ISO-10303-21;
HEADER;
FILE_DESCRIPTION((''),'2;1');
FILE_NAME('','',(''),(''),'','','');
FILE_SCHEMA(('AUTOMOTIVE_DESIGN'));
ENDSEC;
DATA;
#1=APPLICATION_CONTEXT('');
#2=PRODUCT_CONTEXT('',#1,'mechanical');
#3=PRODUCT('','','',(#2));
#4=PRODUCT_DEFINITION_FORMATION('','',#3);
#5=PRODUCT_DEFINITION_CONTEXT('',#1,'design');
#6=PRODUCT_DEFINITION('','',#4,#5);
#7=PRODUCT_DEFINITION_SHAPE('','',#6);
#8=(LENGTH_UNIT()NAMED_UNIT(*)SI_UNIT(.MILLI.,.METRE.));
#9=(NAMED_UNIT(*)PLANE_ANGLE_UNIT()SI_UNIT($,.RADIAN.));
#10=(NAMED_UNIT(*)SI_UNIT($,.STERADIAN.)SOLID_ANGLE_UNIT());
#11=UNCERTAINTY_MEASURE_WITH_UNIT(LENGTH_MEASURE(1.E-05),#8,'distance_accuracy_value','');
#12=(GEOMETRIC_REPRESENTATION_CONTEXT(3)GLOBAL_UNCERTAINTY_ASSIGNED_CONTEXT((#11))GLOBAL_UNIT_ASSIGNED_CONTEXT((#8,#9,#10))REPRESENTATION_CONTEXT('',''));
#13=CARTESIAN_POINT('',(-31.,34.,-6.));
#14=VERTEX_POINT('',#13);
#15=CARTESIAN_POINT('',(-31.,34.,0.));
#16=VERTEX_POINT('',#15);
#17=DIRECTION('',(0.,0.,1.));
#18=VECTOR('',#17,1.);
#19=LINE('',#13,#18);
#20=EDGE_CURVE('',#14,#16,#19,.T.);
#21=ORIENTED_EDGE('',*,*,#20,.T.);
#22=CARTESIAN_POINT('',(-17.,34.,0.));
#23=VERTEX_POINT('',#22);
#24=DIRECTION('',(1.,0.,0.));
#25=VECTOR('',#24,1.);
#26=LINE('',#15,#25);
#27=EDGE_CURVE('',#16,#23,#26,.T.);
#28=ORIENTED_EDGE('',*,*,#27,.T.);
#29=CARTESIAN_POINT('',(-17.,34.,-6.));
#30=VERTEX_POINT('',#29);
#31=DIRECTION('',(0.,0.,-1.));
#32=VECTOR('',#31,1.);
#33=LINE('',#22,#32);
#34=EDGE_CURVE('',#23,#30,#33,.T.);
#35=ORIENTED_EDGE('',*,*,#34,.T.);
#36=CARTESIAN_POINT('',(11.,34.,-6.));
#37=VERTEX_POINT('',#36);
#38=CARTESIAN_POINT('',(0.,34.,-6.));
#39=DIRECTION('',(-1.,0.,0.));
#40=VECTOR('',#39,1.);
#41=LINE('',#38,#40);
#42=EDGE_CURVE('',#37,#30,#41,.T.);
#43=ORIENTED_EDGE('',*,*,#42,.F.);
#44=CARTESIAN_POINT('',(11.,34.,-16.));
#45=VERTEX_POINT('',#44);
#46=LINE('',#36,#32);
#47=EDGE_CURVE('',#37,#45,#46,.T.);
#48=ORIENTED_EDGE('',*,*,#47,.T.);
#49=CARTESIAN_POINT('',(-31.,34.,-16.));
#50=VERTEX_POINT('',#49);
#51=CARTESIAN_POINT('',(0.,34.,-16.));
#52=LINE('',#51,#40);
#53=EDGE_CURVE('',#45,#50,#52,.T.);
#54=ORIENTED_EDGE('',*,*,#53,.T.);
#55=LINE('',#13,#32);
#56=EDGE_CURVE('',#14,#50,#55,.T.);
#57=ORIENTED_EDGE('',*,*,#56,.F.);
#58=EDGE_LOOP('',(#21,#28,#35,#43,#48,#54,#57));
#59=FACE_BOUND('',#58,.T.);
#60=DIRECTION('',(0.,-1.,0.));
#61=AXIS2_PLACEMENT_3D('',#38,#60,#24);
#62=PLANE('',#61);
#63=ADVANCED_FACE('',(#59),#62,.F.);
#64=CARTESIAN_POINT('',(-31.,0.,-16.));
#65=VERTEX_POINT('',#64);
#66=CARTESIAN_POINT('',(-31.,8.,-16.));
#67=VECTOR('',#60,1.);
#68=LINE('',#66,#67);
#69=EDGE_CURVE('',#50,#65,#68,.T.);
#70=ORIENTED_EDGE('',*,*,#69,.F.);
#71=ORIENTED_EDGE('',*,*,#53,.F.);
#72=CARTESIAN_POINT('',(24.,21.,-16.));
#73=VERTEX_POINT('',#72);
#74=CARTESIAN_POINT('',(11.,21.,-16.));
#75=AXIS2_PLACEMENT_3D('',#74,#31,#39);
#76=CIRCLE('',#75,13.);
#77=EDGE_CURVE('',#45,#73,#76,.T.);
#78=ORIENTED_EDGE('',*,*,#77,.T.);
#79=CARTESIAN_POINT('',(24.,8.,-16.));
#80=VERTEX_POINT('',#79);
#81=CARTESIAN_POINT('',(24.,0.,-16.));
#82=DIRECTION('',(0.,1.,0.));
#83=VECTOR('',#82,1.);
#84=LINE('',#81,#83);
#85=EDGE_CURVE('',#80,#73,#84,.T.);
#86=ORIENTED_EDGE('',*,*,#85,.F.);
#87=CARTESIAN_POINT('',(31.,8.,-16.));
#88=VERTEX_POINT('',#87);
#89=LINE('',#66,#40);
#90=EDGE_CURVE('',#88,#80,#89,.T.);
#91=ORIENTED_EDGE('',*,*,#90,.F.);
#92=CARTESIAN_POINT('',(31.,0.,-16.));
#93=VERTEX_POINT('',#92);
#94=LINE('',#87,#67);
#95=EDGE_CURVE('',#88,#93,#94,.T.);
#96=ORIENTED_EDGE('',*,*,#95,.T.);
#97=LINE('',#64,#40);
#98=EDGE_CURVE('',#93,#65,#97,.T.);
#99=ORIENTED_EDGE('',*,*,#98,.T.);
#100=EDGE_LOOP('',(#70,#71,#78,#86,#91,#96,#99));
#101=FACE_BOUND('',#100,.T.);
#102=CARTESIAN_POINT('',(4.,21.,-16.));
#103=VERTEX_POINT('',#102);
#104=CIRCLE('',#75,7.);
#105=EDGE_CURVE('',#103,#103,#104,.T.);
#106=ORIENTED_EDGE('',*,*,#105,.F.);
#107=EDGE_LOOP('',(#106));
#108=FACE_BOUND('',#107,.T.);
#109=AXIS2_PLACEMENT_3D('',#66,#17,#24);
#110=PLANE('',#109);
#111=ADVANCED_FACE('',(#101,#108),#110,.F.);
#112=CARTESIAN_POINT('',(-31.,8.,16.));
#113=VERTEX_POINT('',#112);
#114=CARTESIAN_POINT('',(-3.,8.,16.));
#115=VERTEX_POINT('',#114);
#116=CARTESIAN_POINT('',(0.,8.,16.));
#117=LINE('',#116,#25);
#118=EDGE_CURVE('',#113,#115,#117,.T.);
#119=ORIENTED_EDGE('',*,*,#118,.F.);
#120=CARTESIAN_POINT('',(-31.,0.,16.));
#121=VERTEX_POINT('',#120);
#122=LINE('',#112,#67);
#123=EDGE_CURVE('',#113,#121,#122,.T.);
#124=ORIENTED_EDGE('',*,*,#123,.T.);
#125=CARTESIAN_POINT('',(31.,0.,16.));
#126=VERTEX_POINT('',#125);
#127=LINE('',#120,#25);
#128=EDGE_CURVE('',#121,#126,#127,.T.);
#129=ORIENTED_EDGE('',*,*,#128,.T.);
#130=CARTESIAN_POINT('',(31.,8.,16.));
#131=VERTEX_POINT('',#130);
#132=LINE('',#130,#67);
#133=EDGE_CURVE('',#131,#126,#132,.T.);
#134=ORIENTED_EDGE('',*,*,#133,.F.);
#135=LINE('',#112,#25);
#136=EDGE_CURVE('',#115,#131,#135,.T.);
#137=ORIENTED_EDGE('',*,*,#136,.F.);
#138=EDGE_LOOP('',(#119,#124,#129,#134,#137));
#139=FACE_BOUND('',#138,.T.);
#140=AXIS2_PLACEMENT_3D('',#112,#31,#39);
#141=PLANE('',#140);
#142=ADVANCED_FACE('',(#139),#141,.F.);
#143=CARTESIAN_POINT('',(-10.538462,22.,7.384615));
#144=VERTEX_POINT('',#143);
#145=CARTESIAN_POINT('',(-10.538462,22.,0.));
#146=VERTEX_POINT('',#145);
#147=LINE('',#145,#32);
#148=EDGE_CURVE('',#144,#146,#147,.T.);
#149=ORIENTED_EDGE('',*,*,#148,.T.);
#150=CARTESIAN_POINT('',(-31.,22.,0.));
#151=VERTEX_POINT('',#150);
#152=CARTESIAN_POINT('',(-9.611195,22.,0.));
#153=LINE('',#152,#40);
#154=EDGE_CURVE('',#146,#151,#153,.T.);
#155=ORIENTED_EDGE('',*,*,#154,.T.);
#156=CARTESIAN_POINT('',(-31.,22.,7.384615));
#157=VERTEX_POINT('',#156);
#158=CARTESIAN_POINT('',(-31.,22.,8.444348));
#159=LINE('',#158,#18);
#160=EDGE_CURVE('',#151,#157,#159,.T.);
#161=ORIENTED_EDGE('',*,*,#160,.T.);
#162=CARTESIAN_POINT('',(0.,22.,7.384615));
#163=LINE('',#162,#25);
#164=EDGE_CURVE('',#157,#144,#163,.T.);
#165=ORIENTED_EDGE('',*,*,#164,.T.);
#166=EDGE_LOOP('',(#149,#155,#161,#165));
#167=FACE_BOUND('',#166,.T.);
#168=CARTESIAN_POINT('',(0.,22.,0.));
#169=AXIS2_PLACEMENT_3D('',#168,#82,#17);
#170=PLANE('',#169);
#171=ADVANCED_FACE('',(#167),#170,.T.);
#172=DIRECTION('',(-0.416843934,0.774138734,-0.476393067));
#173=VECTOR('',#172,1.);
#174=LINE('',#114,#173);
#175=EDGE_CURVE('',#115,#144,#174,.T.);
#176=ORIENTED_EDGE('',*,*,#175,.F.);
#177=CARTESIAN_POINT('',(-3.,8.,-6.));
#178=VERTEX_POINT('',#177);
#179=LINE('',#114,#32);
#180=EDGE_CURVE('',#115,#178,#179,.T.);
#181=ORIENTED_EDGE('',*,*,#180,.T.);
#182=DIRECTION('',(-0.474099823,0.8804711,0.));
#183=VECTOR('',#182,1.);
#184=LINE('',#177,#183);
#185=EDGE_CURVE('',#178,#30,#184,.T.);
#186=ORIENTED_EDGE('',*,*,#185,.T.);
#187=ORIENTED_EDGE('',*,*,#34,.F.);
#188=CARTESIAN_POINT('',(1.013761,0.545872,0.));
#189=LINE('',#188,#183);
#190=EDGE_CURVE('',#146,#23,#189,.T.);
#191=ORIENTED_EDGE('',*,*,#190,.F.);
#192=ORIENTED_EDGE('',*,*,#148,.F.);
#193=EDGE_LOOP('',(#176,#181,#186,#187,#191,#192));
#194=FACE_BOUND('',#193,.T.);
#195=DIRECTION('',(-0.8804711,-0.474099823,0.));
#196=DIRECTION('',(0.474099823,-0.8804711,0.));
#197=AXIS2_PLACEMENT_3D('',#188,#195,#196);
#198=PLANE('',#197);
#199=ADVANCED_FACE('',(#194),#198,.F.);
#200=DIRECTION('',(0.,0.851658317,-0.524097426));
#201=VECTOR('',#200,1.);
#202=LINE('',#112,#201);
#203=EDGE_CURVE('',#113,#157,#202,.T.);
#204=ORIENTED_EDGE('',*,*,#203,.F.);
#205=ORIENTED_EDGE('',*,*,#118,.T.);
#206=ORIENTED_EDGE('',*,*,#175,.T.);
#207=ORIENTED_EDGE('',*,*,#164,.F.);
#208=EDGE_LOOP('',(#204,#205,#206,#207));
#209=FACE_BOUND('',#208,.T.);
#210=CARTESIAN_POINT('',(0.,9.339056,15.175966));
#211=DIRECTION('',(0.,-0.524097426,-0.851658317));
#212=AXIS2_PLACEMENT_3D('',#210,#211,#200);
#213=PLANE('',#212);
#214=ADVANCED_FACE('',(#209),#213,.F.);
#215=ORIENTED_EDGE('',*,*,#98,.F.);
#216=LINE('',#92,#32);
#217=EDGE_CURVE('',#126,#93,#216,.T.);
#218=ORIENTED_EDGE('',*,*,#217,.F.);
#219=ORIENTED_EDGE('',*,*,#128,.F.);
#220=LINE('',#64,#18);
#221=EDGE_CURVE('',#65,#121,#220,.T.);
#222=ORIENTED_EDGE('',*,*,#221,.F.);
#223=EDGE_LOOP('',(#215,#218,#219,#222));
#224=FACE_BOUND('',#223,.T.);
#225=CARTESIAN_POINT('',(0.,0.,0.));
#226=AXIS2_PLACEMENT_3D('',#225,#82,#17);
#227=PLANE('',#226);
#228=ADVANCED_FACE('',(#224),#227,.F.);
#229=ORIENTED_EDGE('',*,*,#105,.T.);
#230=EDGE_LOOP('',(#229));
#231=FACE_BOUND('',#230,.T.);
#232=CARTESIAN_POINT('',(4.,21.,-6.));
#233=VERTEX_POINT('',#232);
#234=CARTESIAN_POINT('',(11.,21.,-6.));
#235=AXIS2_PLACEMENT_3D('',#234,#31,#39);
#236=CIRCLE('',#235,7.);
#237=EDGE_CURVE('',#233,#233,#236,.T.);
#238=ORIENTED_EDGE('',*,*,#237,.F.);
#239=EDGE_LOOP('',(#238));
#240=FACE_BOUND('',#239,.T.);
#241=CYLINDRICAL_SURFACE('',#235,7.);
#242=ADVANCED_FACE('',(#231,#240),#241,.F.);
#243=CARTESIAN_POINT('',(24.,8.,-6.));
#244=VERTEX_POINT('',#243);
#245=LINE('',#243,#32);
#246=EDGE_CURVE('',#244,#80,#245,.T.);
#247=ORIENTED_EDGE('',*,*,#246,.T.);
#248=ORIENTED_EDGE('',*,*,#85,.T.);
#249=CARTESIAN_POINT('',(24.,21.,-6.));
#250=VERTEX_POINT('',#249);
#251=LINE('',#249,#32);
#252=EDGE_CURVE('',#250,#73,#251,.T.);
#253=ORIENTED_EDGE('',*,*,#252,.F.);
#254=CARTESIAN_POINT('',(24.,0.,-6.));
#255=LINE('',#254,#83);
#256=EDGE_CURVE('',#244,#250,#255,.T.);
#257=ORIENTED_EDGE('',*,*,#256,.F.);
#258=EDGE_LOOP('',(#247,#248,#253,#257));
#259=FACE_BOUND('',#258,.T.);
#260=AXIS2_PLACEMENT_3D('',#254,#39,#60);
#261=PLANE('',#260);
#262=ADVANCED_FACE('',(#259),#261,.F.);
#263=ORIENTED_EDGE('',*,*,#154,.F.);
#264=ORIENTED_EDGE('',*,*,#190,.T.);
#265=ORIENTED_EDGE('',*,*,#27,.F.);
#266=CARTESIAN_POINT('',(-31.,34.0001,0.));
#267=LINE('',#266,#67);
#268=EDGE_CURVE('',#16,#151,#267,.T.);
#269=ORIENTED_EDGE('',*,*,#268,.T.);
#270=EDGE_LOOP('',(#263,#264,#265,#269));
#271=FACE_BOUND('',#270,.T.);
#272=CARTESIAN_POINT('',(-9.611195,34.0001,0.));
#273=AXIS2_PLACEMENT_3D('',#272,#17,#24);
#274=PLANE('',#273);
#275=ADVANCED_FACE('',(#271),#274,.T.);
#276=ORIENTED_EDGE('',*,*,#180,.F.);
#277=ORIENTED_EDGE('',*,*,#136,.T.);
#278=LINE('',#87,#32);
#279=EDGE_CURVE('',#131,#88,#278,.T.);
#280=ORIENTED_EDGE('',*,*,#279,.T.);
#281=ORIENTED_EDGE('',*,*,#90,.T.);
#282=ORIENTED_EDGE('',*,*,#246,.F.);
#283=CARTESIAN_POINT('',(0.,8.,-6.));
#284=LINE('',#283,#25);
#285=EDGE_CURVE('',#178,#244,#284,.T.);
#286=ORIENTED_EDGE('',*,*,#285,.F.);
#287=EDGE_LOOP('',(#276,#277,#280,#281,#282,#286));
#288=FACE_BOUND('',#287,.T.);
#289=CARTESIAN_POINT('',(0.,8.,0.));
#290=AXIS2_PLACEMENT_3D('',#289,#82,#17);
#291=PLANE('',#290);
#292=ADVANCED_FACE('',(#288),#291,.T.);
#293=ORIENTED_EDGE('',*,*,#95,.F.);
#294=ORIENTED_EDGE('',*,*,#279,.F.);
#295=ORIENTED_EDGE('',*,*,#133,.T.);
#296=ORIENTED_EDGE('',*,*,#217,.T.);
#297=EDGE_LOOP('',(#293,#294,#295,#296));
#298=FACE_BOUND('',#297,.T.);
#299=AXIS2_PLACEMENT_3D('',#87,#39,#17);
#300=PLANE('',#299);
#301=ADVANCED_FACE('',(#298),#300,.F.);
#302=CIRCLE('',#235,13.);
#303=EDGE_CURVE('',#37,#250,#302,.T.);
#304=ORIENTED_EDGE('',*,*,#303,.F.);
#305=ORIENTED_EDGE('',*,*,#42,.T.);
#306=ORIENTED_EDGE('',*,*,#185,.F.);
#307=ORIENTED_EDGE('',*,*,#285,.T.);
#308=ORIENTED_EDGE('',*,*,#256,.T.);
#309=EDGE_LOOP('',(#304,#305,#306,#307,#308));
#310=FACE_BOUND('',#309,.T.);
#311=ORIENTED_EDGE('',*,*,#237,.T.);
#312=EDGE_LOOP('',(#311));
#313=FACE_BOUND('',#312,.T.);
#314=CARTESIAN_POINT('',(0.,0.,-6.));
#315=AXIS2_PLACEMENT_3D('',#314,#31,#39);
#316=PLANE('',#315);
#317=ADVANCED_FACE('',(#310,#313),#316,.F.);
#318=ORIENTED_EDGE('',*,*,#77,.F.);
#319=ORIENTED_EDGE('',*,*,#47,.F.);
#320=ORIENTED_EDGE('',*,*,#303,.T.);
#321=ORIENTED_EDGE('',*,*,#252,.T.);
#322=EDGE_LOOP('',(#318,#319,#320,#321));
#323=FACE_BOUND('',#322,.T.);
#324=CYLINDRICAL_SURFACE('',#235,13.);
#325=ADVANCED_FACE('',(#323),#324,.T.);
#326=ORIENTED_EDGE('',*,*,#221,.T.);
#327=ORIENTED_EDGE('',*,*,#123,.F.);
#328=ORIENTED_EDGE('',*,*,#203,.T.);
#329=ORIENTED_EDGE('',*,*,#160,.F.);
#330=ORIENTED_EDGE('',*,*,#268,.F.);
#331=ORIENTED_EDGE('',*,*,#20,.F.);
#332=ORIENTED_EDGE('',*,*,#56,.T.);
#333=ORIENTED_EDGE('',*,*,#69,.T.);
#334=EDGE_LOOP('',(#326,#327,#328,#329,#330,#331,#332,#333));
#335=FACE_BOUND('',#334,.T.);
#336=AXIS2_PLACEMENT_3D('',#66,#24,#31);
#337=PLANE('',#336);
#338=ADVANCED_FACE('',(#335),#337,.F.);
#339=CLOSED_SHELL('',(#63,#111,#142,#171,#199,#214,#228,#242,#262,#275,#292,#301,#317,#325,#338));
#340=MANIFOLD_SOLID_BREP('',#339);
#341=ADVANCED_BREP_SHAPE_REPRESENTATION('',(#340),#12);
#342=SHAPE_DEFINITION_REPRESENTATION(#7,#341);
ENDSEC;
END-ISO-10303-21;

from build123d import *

# Parameters (mm, degrees)
SKETCH_1_W          = 62
SKETCH_1_H          = 32
EXTRUDE_1_DEPTH     = 8
SKETCH_2_R          = 7
EXTRUDE_2_DEPTH     = 10
SKETCH_6_W          = 21.388804526
SKETCH_6_H          = 8.444348029
CUT_EXTRUDE_1_DEPTH = 42.243181422


with BuildPart() as part:
    # 草图1 → 凸台-拉伸1 (new body)
    with BuildSketch(Plane(origin=(0, 0, 0), x_dir=(1, 0, 0), z_dir=(0, 1, 0))):
        Rectangle(SKETCH_1_W, SKETCH_1_H)
    extrude(amount=EXTRUDE_1_DEPTH)

    # 草图2 → 凸台-拉伸2 (add)
    with BuildSketch(Plane(origin=(0, 0, -16), x_dir=(-1, 0, 0), z_dir=(0, 0, -1))):
        with BuildLine():
            Line((-24, 21), (-24, 8))
            Line((-24, 8), (31, 8))
            Line((31, 8), (31, 34))
            Line((31, 34), (-11, 34))
            ThreePointArc((-11, 34), (-20.192388155, 30.192388155), (-24, 21))
        make_face()
        with Locations((-11, 21)):
            Circle(SKETCH_2_R, mode=Mode.SUBTRACT)
    extrude(amount=-EXTRUDE_2_DEPTH)

    # 草图5 → 放样1 section 0
    with BuildSketch(Plane(origin=(0, 8, 0), x_dir=(1, 0, 0), z_dir=(0, 1, 0))):
        with BuildLine():
            Line((-3, -16), (-3, 6))
            Line((-3, 6), (-31, 6))
            Line((-31, 6), (-31, -16))
            Line((-31, -16), (-3, -16))
        make_face()
    # 草图4 → 放样1 section 1
    with BuildSketch(Plane(origin=(0, 34, 0), x_dir=(1, 0, 0), z_dir=(0, 1, 0))):
        with BuildLine():
            Line((-31, 6), (-31, 0))
            Line((-31, 0), (-17, 0))
            Line((-17, 0), (-17, 6))
            Line((-17, 6), (-31, 6))
        make_face()
    loft()

    # 草图6 → 切除-拉伸1 (cut, through all)
    with BuildSketch(Plane(origin=(0, 22, 0), x_dir=(1, 0, 0), z_dir=(0, 1, 0))):
        with Locations((-20.305597737, -4.222174015)):
            Rectangle(SKETCH_6_W, SKETCH_6_H)
    extrude(amount=CUT_EXTRUDE_1_DEPTH, mode=Mode.SUBTRACT)


solid = part.part
